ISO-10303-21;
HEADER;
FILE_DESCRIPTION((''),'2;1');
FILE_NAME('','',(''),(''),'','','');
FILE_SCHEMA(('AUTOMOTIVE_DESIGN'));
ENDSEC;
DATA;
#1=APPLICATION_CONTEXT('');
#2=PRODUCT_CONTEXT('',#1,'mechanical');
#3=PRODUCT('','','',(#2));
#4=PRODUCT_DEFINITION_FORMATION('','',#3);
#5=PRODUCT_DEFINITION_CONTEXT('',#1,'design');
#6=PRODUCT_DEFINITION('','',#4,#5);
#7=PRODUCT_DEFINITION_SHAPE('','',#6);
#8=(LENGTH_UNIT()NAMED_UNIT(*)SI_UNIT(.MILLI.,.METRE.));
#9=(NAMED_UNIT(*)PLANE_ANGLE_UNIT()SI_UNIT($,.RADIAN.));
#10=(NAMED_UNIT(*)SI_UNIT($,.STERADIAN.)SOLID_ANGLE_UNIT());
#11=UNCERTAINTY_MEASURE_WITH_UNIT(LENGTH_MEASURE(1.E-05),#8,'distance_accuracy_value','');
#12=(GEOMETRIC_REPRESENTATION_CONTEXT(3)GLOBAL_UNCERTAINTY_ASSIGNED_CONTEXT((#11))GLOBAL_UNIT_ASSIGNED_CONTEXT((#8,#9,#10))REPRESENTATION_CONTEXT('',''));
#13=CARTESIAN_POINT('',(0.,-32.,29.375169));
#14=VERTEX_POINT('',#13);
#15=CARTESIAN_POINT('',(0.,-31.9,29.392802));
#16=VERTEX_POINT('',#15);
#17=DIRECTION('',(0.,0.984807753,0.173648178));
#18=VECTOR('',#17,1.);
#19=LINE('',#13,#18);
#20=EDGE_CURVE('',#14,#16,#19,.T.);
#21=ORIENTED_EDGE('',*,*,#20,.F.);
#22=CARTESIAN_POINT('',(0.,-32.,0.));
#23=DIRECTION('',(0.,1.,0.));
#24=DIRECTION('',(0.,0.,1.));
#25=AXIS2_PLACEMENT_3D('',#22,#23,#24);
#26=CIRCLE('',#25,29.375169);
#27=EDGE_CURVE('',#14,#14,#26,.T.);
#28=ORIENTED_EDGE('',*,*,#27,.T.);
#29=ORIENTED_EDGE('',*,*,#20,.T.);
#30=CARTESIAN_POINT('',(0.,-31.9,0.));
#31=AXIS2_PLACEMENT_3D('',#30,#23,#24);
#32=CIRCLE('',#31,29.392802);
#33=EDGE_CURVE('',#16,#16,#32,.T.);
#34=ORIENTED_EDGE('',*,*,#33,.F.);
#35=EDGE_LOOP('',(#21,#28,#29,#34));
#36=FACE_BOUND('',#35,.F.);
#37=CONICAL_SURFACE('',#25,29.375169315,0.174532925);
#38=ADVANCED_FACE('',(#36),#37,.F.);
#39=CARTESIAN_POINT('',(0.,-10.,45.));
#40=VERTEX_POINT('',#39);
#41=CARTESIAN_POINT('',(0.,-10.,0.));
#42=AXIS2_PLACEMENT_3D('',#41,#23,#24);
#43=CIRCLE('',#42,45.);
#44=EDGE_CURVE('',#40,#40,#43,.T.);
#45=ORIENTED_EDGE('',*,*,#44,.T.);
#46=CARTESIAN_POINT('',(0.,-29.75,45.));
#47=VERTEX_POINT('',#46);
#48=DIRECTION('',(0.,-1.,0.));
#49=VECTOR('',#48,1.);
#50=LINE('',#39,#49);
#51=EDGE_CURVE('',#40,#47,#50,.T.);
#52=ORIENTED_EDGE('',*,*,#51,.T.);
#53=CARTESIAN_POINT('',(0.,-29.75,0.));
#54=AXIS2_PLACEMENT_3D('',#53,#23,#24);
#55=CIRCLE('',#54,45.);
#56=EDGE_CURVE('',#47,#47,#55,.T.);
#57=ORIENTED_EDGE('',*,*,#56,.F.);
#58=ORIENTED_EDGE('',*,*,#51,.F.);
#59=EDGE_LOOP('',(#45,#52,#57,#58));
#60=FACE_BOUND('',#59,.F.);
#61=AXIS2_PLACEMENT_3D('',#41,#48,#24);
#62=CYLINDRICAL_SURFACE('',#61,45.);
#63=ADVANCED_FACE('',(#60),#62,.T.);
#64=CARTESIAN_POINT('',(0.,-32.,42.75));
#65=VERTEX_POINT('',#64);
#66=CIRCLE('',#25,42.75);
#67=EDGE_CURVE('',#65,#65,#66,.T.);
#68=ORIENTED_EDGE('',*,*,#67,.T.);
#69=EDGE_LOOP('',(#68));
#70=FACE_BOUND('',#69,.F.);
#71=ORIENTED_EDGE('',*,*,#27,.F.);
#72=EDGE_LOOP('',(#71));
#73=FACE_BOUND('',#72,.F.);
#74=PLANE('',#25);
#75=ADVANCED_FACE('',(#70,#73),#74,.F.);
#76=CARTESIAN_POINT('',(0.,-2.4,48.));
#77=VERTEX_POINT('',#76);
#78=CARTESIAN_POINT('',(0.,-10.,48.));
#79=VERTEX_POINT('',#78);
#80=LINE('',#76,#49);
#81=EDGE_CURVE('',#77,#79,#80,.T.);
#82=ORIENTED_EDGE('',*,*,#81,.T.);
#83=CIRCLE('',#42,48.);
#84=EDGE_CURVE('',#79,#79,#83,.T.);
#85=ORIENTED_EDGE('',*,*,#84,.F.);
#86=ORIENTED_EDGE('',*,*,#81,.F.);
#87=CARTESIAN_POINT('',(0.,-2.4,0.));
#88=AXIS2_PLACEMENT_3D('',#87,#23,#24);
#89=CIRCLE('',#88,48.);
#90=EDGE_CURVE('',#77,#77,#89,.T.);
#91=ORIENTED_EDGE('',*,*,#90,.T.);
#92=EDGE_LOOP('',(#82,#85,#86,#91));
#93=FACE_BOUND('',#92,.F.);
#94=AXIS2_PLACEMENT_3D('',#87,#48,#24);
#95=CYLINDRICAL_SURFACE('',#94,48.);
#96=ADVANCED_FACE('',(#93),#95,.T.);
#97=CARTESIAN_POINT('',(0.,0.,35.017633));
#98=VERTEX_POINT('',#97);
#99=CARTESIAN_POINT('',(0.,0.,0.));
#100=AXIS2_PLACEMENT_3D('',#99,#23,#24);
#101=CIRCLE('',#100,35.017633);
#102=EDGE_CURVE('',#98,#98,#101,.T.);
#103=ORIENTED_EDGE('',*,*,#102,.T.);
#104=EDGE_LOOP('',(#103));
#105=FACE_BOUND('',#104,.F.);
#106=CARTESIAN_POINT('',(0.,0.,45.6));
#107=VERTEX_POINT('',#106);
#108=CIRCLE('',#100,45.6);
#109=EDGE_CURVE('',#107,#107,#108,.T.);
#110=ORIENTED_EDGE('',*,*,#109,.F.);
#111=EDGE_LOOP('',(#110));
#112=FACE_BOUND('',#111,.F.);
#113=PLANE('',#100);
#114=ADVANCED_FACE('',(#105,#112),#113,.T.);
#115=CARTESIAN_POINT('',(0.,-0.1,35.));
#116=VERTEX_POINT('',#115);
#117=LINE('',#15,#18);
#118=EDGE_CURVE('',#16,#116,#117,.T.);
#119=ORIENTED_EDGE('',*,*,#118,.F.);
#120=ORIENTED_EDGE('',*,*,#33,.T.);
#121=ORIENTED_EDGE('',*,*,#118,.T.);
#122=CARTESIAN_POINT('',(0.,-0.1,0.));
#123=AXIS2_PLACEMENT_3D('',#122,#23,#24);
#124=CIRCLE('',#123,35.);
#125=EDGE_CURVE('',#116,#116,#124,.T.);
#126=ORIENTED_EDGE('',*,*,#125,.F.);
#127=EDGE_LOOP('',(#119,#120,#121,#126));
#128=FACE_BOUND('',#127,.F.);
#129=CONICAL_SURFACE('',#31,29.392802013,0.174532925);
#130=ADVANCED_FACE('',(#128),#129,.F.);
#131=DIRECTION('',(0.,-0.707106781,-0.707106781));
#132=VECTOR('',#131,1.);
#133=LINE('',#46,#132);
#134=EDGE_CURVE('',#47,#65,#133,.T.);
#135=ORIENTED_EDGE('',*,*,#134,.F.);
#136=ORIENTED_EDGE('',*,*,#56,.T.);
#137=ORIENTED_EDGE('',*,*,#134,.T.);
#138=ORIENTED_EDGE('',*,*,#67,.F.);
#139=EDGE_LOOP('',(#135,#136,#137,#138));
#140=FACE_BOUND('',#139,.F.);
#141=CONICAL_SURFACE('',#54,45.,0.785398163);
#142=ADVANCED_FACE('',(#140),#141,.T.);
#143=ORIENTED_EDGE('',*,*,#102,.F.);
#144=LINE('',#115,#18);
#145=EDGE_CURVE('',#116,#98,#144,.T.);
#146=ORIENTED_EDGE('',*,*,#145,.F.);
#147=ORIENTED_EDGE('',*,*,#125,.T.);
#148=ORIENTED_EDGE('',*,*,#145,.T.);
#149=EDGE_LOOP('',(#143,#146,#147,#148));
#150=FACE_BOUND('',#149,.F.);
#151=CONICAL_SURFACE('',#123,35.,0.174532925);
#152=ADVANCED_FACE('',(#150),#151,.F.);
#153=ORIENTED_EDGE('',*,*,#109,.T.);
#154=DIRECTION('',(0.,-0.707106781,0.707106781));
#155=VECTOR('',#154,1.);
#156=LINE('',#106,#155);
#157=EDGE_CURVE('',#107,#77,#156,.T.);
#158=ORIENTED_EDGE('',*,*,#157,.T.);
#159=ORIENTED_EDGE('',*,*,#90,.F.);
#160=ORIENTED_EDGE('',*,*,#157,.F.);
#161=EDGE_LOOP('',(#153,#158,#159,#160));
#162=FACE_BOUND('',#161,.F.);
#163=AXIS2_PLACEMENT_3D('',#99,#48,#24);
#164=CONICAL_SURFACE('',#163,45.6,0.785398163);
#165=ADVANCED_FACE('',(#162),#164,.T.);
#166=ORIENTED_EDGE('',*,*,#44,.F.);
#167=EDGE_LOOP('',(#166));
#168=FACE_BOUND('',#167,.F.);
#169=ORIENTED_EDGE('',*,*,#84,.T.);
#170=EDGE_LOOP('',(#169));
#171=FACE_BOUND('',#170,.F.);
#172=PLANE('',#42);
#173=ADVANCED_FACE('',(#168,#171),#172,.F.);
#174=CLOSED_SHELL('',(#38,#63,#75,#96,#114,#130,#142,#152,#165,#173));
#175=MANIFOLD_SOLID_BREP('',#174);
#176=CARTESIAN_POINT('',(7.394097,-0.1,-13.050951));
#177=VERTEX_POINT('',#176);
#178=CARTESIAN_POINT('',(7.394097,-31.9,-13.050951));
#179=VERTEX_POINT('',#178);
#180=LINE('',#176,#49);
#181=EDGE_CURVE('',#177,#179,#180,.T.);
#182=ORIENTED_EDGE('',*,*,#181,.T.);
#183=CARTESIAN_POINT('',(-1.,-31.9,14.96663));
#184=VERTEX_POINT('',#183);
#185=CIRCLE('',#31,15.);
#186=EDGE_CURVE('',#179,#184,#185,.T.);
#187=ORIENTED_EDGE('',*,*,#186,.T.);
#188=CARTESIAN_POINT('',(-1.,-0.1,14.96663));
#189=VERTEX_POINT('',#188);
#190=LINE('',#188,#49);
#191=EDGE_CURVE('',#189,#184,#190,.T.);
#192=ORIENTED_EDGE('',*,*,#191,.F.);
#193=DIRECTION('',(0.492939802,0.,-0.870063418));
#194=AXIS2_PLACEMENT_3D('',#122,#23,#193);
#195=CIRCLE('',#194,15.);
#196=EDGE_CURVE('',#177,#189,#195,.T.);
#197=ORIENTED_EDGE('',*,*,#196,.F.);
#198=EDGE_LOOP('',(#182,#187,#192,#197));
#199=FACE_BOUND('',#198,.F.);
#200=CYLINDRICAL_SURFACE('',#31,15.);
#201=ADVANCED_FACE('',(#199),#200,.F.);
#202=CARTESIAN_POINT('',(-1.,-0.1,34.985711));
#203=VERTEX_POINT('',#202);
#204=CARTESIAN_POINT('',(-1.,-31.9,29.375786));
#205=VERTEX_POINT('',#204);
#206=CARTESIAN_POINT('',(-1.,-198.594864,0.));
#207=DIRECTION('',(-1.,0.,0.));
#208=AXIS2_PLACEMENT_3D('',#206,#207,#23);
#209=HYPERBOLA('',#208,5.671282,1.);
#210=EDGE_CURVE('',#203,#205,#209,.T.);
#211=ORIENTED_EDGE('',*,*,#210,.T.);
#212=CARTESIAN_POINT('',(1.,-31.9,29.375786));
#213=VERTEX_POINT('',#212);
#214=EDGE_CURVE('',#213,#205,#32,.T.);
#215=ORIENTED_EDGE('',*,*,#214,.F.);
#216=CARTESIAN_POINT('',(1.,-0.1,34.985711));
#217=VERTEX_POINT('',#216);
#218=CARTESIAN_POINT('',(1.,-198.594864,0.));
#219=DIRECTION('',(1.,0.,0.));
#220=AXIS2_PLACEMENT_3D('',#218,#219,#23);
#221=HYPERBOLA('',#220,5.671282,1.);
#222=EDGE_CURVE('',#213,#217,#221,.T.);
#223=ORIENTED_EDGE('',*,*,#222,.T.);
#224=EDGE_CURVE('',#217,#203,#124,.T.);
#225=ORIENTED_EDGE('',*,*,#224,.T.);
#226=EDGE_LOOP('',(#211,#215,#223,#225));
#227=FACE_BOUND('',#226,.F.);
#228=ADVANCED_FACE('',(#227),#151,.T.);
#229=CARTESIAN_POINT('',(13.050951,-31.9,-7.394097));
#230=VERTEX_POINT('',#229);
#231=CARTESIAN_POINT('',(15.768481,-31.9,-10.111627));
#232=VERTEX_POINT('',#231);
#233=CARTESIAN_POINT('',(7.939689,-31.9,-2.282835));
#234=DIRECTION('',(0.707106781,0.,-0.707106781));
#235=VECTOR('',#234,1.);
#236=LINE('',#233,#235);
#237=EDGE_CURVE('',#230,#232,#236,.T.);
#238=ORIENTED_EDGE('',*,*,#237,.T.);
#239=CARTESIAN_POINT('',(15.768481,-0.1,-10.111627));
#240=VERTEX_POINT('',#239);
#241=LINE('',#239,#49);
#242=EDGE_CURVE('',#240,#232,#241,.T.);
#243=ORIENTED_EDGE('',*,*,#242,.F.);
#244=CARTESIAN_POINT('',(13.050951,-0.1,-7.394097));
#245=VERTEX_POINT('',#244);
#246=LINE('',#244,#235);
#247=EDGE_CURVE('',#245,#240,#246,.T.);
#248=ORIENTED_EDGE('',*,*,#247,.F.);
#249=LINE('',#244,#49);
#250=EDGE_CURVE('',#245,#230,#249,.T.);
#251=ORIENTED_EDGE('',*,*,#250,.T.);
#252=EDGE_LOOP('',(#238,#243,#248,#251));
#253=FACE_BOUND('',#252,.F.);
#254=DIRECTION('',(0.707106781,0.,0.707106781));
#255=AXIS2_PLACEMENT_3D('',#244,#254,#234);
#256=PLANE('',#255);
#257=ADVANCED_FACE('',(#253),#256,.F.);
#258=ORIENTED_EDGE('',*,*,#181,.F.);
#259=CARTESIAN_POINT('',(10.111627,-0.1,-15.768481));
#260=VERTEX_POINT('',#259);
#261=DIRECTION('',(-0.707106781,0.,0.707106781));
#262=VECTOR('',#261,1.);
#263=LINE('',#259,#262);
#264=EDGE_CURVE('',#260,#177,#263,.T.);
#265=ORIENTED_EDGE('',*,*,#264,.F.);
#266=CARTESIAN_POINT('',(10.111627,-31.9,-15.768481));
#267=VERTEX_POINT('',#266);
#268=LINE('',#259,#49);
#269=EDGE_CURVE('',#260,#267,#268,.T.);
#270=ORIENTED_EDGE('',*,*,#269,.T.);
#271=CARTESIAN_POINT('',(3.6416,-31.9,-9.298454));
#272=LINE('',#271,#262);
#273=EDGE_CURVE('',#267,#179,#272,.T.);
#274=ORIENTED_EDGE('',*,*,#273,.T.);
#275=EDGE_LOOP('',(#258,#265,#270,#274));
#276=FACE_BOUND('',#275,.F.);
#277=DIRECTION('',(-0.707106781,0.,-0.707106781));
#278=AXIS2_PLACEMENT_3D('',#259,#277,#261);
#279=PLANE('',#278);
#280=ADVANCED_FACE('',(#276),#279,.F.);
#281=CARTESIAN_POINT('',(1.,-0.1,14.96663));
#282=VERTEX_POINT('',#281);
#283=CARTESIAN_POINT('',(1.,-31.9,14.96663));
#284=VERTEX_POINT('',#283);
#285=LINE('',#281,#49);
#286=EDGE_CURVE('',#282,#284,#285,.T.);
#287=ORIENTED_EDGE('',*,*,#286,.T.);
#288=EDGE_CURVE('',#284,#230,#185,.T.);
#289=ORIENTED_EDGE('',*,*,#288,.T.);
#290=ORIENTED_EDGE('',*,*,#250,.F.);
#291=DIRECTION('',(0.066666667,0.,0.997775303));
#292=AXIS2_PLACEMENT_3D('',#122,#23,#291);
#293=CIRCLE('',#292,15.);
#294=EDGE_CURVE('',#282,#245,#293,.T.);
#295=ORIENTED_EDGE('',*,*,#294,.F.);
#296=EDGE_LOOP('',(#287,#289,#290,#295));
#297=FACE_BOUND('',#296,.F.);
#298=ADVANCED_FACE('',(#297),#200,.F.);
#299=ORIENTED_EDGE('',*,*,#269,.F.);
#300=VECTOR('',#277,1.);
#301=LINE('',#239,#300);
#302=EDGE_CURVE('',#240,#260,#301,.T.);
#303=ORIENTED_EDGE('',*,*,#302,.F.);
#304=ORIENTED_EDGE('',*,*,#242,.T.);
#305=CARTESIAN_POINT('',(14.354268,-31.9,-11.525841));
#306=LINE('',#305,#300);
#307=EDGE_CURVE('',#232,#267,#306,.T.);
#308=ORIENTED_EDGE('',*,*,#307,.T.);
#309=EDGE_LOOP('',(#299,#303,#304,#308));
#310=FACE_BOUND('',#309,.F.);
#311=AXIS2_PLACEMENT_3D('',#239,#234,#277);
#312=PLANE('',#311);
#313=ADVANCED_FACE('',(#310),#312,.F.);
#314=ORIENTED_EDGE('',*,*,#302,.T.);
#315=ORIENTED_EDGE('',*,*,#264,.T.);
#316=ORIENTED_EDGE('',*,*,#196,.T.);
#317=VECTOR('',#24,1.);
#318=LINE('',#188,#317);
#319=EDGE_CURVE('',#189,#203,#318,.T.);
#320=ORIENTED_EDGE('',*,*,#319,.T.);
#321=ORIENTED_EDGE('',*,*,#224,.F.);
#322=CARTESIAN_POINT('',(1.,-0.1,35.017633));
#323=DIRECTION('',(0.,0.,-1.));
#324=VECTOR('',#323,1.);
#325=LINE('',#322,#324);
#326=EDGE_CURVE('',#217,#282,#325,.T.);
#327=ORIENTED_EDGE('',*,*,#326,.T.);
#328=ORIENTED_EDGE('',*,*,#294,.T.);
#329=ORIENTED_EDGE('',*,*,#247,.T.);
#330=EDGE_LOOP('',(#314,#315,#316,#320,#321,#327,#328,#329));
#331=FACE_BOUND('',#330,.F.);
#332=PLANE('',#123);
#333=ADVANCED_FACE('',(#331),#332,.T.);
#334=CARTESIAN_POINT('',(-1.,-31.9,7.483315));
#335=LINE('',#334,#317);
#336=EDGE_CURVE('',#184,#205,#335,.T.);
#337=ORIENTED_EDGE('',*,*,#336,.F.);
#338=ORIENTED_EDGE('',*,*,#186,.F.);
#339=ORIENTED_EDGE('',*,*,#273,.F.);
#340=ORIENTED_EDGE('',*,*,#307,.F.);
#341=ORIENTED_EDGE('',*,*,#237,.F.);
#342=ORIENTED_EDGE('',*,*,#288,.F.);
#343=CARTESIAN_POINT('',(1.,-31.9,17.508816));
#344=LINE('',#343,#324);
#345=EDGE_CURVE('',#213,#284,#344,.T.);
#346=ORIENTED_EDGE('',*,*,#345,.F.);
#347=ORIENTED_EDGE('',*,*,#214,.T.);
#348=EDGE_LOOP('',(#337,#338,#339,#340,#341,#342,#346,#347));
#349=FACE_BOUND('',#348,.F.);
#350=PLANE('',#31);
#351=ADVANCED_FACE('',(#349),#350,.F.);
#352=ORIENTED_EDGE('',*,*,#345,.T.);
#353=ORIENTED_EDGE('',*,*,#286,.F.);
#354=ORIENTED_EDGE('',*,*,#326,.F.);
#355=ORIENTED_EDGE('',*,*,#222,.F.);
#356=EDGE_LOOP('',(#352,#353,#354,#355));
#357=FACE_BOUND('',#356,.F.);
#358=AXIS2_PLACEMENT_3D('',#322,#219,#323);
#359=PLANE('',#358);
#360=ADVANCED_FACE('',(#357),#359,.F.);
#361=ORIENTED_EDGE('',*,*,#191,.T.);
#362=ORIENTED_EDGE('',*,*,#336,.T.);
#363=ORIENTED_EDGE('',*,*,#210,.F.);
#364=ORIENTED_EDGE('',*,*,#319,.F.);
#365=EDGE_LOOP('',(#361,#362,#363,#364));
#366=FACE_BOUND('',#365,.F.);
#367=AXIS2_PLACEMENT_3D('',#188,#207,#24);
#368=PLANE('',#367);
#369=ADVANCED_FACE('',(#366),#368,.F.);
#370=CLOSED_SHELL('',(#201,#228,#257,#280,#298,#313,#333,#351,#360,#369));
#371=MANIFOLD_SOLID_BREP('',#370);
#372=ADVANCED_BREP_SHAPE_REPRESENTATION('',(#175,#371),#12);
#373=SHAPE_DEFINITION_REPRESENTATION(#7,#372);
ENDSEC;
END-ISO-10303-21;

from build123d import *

# Parameters (mm, degrees)
F4_DEPTH = 31.901


with BuildPart() as f1:
    # F0 (on Right) → F1 (revolve)
    with BuildSketch(Plane.YZ):
        Polygon((0, 35.0176326981), (0, 45.6), (-2.4, 48), (-10, 48), (-10, 45), (-22, 45), (-29.75, 45), (-32, 42.75), (-32, 29.3751693154), (-31.9, 29.3928020135), (-0.1, 35), align=None)
    revolve(axis=Axis((0, -16, 0), (0, 1, 0)))


with BuildPart() as f2:
    # F0 (on Right) → F2 (revolve)
    with BuildSketch(Plane.YZ):
        Polygon((-0.1, 15), (-0.1, 35), (-31.9, 29.3928020135), (-31.9, 15), align=None)
    revolve(axis=Axis((0, -16, 0), (0, 1, 0)))

    # F3 (on face) → F4 (cut, through all)
    with BuildSketch(Plane(origin=(0, -0.1, 0), x_dir=(-1, 0, 0), z_dir=(0, 1, 0))):
        with BuildLine():
            Line((1, 35.0176326981), (-1, 35.0176326981))
            Line((-1, 35.0176326981), (-1, 14.9666295471))
            ThreePointArc((-1, 14.9666295471), (-13.2044625466, 7.1163311373), (-13.0509512749, -7.3940970254))
            Line((-13.0509512749, -7.3940970254), (-15.7684812205, -10.111626971))
            Line((-15.7684812205, -10.111626971), (-10.111626971, -15.7684812205))
            Line((-10.111626971, -15.7684812205), (-7.3940970254, -13.0509512749))
            ThreePointArc((-7.3940970254, -13.0509512749), (14.368971013, -4.3049590043), (1, 14.9666295471))
            Line((1, 14.9666295471), (1, 35.0176326981))
        make_face()
    extrude(amount=-F4_DEPTH, mode=Mode.SUBTRACT)


solid = Compound([f1.part, f2.part])
